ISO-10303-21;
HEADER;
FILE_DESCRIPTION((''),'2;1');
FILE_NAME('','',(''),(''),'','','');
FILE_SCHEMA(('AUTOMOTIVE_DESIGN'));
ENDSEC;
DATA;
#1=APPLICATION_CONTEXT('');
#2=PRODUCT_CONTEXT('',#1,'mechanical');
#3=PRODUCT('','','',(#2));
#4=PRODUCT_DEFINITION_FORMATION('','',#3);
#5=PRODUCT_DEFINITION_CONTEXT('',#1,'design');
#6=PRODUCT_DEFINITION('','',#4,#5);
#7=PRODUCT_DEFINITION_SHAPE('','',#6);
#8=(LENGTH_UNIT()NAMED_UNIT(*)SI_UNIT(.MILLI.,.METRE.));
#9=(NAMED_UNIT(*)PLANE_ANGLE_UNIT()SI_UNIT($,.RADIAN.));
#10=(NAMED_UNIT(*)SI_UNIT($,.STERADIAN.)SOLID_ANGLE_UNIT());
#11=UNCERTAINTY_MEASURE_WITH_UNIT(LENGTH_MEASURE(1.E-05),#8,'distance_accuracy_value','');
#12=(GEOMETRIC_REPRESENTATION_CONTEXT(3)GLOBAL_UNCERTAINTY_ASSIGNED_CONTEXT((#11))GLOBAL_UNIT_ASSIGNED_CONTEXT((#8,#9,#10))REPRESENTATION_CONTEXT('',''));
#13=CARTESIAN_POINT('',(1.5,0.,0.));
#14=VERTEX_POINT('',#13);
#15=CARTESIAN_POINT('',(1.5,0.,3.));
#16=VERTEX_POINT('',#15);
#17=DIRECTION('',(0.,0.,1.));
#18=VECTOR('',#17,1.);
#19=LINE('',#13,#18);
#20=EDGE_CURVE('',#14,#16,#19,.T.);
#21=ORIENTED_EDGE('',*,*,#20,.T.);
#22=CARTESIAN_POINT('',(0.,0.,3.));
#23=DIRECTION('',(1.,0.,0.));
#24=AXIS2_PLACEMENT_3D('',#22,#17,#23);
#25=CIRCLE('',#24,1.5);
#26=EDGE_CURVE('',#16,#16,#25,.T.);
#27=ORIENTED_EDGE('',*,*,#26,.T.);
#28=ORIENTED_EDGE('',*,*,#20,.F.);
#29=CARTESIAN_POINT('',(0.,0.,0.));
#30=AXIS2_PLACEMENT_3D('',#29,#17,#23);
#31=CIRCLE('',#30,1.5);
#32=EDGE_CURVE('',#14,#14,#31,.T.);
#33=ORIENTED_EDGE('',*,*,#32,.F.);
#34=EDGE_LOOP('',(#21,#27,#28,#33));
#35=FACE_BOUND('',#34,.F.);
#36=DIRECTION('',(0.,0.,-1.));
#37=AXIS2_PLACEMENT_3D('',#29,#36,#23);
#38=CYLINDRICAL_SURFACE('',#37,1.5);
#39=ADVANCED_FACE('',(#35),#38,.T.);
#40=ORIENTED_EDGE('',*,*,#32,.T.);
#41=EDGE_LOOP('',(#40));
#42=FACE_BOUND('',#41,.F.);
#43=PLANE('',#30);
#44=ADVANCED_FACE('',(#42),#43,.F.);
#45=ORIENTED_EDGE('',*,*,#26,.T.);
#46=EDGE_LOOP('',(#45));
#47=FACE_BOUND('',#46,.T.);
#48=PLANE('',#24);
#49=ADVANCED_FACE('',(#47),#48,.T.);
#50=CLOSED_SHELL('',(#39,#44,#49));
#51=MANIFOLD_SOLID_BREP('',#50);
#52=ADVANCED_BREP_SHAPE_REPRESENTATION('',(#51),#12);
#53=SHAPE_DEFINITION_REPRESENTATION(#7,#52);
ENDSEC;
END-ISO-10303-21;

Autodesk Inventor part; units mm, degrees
ref_plane "YZ Plane" through (0, 0, 0) normal (1, 0, 0) x (0, 1, 0)
ref_plane "XZ Plane" through (0, 0, 0) normal (0, 1, 0) x (-1, 0, 0)
ref_plane "XY Plane" through (0, 0, 0) normal (0, 0, 1) x (1, 0, 0)
sketch "スケッチ1" plane through (0, 0, 0) normal (0, 0, 1) x (1, 0, 0)
  circle A0 centre (0, 0) radius 1.5
  dimension "d0" = 3
extrude "押し出し1" add sketch "スケッチ1" along normal blind 3
properties part number "Neodymium_magnet_Phi3_T3"
